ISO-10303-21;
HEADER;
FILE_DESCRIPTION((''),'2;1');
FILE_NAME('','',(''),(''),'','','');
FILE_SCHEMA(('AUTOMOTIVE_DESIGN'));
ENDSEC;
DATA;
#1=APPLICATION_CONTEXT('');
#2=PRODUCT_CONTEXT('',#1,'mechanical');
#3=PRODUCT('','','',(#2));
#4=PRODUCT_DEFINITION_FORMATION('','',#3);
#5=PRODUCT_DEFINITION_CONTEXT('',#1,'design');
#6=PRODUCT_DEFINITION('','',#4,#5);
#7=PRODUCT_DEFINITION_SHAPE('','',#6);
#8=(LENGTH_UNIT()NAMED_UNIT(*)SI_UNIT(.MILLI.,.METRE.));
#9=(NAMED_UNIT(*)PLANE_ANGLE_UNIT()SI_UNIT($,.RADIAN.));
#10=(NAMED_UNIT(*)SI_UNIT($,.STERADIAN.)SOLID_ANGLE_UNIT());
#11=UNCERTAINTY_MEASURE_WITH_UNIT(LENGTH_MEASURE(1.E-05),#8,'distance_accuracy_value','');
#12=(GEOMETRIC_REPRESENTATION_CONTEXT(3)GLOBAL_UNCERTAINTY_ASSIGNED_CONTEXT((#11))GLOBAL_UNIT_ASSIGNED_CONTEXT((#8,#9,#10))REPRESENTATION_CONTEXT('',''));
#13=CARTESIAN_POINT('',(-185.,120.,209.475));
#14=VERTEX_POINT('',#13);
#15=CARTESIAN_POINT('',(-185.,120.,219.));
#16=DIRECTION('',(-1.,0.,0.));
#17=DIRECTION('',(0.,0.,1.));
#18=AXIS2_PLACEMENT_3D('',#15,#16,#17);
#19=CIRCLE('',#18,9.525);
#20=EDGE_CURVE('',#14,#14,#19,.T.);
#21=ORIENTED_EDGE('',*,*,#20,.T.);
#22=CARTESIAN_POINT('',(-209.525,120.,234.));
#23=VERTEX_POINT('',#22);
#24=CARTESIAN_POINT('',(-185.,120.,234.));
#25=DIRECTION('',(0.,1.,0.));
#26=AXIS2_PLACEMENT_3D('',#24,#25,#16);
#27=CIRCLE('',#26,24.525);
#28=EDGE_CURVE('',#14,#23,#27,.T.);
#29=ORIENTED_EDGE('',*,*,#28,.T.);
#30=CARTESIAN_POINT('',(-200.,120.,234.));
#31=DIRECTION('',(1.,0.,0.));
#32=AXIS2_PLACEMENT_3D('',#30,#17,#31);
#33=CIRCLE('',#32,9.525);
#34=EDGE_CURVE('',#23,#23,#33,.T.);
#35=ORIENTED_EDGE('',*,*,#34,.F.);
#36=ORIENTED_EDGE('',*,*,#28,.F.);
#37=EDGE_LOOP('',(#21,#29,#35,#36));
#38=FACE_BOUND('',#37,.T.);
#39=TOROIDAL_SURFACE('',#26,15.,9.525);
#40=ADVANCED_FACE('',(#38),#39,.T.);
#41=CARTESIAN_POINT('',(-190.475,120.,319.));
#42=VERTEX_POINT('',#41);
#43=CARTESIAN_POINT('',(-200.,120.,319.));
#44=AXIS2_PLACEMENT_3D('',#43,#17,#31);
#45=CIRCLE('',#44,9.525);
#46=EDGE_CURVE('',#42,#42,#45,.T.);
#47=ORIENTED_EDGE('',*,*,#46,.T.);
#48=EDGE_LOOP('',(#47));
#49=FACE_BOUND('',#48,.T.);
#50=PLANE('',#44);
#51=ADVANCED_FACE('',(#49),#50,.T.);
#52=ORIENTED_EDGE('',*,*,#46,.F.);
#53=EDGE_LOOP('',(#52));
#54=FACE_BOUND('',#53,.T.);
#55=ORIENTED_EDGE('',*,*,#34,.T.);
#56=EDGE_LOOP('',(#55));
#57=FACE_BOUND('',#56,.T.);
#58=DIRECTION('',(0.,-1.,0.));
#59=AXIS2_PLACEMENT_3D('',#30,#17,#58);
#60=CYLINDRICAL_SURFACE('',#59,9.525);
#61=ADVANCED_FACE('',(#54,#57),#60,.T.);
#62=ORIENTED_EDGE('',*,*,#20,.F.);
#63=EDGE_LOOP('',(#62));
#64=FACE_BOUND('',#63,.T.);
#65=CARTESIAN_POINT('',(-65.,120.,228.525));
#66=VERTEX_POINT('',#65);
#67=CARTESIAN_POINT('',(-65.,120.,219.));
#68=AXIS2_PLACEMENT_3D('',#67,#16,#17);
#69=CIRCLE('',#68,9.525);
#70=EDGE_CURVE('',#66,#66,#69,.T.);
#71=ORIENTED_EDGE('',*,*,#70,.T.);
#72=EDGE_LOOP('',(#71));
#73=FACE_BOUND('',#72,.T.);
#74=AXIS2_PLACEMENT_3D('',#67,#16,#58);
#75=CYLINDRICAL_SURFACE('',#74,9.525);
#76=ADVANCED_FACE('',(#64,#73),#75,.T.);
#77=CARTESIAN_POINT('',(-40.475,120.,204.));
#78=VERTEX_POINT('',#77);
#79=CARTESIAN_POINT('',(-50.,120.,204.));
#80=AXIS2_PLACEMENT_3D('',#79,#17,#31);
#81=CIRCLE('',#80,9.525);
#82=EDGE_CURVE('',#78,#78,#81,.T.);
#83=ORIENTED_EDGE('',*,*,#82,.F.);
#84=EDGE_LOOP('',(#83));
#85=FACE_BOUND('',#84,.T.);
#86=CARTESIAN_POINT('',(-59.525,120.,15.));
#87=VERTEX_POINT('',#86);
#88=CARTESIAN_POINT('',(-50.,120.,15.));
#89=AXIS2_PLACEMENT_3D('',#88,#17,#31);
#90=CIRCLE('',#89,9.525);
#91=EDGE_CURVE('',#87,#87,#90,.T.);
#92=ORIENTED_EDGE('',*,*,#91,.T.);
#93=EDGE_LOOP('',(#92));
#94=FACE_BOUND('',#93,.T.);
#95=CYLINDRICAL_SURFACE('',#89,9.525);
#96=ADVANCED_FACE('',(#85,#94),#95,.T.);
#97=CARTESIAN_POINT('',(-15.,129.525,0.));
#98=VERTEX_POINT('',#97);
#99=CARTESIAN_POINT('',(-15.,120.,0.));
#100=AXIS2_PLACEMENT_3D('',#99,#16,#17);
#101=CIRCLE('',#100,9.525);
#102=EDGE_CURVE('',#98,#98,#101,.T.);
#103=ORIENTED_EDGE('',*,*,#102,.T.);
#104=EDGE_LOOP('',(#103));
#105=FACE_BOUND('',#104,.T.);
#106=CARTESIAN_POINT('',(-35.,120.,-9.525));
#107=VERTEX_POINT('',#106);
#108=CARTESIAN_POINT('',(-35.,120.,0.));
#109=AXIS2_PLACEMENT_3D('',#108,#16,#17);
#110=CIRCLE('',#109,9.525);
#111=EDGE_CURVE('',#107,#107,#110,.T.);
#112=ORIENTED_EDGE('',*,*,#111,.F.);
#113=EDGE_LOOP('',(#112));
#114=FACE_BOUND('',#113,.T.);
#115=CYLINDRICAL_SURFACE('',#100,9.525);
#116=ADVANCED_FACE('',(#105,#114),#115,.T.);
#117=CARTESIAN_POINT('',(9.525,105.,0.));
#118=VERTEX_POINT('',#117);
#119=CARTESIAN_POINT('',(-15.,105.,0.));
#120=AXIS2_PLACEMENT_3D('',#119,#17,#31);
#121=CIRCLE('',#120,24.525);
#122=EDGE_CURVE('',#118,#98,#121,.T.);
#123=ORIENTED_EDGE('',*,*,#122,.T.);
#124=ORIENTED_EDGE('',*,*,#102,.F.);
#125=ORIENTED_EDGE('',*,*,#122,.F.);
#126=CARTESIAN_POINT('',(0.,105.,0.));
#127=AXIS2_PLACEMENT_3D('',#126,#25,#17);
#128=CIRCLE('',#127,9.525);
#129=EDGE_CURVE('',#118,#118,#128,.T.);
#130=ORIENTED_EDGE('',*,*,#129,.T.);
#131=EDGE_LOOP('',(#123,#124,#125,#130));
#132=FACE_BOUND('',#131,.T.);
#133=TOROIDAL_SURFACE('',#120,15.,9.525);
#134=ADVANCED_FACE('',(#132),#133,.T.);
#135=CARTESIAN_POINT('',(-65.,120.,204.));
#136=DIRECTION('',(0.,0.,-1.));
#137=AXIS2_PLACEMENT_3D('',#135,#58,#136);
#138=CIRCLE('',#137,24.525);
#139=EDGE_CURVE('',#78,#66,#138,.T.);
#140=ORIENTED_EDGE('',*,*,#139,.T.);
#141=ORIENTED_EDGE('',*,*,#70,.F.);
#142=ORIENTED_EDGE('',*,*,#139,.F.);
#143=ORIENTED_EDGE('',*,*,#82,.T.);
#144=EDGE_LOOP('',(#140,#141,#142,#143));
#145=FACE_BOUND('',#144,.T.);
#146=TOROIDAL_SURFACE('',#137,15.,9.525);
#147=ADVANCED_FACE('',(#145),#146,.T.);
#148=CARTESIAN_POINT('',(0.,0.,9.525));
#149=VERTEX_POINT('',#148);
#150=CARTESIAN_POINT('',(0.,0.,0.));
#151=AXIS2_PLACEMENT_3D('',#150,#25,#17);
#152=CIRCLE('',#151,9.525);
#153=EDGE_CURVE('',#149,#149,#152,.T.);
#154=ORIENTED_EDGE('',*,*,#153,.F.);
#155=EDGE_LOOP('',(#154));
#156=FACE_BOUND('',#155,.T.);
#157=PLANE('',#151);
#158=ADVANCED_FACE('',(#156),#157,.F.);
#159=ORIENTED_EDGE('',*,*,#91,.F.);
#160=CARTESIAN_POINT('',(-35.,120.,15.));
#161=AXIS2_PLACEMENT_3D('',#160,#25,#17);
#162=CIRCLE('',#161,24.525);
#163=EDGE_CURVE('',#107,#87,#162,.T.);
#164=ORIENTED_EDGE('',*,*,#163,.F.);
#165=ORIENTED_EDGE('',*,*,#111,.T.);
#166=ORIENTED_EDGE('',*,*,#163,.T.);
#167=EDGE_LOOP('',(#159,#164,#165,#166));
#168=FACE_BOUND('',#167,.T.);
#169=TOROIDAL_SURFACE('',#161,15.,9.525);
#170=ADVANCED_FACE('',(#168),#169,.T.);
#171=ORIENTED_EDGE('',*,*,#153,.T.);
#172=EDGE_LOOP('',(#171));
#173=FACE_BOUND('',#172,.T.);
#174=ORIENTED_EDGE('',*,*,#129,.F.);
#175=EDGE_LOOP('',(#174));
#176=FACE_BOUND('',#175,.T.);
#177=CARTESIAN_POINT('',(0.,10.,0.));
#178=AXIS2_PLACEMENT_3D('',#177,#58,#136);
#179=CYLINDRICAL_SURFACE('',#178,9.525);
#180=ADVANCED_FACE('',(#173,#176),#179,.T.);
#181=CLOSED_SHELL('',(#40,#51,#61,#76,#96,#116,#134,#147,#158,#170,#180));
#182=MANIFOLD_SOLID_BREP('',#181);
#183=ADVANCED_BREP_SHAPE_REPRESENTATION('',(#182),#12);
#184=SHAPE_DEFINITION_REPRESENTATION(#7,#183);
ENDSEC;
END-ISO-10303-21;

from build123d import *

# Parameters (mm, degrees)
CROQUIS1_R              = 9.525
SALIENTE_EXTRUIR1_DEPTH = 10
CROQUIS2_R              = 9.525


with BuildPart() as part:
    # Croquis1 → Saliente-Extruir1 (new body)
    with BuildSketch(Plane(origin=(0, 0, 0), x_dir=(1, 0, 0), z_dir=(0, 1, 0))):
        with Locations(Location((0, 0, 0), (0, 0, 270))):
            Circle(CROQUIS1_R)
    extrude(amount=SALIENTE_EXTRUIR1_DEPTH)

    # Barrer1: sweep along a curve in space
    with BuildLine() as barrer1_path:
        Line((0, 10, 0), (0, 105, 0))
        ThreePointArc((0, 105, 0), (-4.393398282, 115.606601718, 0), (-15, 120, 0))
        Line((-15, 120, 0), (-35, 120, 0))
        ThreePointArc((-35, 120, 0), (-45.606601718, 120, 4.393398282), (-50, 120, 15))
        Line((-50, 120, 15), (-50, 120, 204))
        ThreePointArc((-50, 120, 204), (-54.393398282, 120, 214.606601718), (-65, 120, 219))
        Line((-65, 120, 219), (-185, 120, 219))
        ThreePointArc((-185, 120, 219), (-195.606601718, 120, 223.393398282), (-200, 120, 234))
        Line((-200, 120, 234), (-200, 120, 319))
    # Croquis2 → Barrer1 (sweep)
    with BuildSketch(Plane(origin=(0, 10, 0), x_dir=(1, 0, 0), z_dir=(0, 1, 0))):
        Circle(CROQUIS2_R)
    sweep(path=barrer1_path.line)


solid = part.part
